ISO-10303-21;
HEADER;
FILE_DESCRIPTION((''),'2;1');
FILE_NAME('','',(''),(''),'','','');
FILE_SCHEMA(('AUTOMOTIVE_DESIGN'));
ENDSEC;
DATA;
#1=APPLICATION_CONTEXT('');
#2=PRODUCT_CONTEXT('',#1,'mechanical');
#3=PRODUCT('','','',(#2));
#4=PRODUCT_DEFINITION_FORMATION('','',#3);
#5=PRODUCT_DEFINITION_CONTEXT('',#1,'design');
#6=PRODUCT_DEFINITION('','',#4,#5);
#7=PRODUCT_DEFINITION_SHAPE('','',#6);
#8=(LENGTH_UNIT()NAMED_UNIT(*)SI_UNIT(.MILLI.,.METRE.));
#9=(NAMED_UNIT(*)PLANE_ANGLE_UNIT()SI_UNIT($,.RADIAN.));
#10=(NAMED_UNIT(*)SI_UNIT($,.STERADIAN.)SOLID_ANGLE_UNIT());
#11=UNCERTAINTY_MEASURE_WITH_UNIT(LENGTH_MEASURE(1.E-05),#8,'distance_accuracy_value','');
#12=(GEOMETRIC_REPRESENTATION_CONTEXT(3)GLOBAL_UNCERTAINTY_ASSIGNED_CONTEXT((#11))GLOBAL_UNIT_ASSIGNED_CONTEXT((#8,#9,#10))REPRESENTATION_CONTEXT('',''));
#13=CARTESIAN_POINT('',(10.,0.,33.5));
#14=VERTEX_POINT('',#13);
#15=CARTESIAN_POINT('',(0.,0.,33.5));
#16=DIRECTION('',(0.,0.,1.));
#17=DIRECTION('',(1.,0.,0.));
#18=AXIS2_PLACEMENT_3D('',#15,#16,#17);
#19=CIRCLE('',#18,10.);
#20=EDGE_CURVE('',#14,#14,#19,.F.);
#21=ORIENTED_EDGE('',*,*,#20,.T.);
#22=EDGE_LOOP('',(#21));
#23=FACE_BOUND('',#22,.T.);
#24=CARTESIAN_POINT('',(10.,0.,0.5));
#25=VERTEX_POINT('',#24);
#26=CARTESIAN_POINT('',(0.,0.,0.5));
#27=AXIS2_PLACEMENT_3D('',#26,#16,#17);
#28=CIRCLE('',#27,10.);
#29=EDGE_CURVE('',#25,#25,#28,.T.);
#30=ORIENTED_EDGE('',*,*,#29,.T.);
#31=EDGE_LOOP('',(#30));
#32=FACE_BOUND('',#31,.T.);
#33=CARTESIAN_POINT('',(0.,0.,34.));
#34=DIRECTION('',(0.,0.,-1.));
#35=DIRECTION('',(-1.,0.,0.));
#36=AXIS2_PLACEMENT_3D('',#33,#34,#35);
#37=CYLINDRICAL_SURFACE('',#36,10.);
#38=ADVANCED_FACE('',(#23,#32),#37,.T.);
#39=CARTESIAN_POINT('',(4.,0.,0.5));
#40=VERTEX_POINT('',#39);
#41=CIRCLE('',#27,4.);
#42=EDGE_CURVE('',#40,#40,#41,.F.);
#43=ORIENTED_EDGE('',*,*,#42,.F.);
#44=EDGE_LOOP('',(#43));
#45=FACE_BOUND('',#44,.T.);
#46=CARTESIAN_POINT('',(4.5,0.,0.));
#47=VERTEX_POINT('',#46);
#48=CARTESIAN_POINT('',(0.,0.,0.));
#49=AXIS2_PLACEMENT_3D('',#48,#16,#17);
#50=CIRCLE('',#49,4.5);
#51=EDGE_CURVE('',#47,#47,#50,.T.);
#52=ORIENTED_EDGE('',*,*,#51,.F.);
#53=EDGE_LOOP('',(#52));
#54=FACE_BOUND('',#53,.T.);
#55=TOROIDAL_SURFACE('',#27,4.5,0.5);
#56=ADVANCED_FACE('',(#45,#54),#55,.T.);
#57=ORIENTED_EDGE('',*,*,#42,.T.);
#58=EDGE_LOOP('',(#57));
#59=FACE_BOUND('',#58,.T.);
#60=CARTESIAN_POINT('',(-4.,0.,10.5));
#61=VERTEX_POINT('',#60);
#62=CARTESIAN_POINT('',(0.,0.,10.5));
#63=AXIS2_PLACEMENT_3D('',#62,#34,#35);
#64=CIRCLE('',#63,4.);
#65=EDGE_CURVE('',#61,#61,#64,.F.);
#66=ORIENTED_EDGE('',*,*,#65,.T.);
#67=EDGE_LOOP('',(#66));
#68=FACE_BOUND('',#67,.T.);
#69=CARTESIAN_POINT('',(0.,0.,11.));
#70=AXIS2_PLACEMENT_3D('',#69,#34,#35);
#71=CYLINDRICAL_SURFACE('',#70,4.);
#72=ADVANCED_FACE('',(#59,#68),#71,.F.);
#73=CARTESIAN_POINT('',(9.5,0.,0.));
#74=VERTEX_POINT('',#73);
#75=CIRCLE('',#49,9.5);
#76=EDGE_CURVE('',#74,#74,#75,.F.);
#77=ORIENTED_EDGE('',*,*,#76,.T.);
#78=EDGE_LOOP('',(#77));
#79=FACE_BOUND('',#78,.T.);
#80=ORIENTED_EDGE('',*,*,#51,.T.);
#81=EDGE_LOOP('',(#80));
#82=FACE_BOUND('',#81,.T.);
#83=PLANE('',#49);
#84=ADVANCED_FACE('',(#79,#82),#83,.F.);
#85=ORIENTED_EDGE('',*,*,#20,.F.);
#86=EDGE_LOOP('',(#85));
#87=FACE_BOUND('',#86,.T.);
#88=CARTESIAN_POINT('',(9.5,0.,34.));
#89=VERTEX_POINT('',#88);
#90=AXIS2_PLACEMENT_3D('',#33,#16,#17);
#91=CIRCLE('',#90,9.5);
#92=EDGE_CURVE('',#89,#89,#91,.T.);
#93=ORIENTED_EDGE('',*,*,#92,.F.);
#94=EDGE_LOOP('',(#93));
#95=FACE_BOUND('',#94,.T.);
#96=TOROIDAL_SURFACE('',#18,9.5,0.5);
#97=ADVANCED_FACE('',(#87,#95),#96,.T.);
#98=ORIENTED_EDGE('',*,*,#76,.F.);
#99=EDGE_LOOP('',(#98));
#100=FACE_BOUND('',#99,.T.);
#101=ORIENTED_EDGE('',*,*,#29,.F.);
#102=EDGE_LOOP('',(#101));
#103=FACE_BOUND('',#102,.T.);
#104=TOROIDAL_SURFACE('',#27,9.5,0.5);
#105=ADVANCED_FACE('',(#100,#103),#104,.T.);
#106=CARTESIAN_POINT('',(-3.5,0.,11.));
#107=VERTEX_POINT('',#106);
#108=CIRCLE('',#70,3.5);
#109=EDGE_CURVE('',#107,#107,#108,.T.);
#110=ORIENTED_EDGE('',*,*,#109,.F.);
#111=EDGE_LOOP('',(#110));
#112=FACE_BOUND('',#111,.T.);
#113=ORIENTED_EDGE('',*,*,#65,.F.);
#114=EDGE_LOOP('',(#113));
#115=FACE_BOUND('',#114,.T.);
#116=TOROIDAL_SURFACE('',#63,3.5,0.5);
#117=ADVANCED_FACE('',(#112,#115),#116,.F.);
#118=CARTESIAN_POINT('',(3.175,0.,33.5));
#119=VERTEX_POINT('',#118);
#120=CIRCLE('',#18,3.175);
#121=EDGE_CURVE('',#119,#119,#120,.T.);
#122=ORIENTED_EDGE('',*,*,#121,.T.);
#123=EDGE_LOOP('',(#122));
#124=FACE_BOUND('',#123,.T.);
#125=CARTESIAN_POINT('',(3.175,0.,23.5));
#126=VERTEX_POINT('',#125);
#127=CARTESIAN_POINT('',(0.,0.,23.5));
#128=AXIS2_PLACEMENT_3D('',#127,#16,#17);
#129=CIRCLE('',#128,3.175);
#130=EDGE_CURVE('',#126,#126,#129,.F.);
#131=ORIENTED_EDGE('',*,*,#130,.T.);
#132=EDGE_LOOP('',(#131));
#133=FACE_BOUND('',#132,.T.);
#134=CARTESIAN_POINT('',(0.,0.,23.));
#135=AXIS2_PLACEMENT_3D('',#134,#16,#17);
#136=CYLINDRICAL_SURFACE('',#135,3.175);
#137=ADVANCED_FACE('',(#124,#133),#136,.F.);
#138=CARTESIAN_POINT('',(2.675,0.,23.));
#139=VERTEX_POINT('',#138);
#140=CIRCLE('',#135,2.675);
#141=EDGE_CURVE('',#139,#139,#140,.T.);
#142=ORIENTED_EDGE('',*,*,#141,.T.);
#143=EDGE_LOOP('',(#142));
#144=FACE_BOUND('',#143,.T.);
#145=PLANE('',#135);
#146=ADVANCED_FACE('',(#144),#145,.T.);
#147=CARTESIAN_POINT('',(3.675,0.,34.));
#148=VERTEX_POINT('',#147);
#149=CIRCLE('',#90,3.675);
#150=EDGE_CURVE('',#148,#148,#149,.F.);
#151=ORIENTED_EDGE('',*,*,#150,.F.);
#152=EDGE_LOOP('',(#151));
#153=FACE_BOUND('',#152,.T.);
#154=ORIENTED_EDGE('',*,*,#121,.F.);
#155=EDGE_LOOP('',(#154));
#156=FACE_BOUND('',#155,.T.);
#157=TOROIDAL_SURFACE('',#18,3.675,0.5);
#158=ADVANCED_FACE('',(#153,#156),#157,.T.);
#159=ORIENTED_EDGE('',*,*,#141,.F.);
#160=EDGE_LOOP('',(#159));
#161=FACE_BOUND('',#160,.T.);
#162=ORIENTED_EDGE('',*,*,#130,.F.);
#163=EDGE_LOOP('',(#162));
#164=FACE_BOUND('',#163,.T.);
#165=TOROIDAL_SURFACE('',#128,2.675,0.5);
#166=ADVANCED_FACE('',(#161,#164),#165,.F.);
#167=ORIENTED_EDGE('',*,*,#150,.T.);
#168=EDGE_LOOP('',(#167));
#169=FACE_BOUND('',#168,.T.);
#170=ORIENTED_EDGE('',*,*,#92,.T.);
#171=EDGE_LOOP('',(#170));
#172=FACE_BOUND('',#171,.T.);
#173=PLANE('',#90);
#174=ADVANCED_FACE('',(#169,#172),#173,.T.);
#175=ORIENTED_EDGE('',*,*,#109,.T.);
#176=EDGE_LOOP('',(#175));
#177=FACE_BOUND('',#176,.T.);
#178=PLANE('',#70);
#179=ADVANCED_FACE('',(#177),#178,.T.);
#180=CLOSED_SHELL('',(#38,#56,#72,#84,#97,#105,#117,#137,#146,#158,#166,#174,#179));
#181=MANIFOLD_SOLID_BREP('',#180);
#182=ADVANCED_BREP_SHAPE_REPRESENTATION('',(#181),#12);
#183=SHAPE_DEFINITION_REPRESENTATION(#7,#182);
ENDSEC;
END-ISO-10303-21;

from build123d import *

# Parameters (mm, degrees)
SKETCH_1_R          = 10
EXTRUDE_1_DEPTH     = 34
SKETCH_2_R          = 3.175
CUT_EXTRUDE_1_DEPTH = 11
SKETCH_3_R          = 4
CUT_EXTRUDE_2_DEPTH = 11
FILLET_1_R          = 0.5
FILLET_2_R          = 0.5
FILLET_3_R          = 0.5


with BuildPart() as part:
    # Эскиз1 → Бобышка-Вытянуть1 (new body)
    with BuildSketch(Plane.XY):
        Circle(SKETCH_1_R)
    extrude(amount=EXTRUDE_1_DEPTH)

    # Эскиз2 → Вырез-Вытянуть1 (cut)
    with BuildSketch(Plane.XY.offset(34)):
        Circle(SKETCH_2_R)
    extrude(amount=-CUT_EXTRUDE_1_DEPTH, mode=Mode.SUBTRACT)

    # Эскиз3 → Вырез-Вытянуть2 (cut)
    with BuildSketch(Plane(origin=(0, 0, 0), x_dir=(-1, 0, 0), z_dir=(0, 0, -1))):
        Circle(SKETCH_3_R)
    extrude(amount=-CUT_EXTRUDE_2_DEPTH, mode=Mode.SUBTRACT)

    # Скругление1
    fillet_1_edges = [part.edges().sort_by_distance(p)[0] for p in [
        (-10, 0, 0),
        (-10, 0, 34),
    ]]
    fillet(fillet_1_edges, radius=FILLET_1_R)

    # Скругление2
    fillet_2_edges = [part.edges().sort_by_distance(p)[0] for p in [
        (4, 0, 0),
        (-3.175, 0, 34),
    ]]
    fillet(fillet_2_edges, radius=FILLET_2_R)

    # Скругление3
    fillet_3_edges = [part.edges().sort_by_distance(p)[0] for p in [
        (4, 0, 11),
        (-3.175, 0, 23),
    ]]
    fillet(fillet_3_edges, radius=FILLET_3_R)


solid = part.part
